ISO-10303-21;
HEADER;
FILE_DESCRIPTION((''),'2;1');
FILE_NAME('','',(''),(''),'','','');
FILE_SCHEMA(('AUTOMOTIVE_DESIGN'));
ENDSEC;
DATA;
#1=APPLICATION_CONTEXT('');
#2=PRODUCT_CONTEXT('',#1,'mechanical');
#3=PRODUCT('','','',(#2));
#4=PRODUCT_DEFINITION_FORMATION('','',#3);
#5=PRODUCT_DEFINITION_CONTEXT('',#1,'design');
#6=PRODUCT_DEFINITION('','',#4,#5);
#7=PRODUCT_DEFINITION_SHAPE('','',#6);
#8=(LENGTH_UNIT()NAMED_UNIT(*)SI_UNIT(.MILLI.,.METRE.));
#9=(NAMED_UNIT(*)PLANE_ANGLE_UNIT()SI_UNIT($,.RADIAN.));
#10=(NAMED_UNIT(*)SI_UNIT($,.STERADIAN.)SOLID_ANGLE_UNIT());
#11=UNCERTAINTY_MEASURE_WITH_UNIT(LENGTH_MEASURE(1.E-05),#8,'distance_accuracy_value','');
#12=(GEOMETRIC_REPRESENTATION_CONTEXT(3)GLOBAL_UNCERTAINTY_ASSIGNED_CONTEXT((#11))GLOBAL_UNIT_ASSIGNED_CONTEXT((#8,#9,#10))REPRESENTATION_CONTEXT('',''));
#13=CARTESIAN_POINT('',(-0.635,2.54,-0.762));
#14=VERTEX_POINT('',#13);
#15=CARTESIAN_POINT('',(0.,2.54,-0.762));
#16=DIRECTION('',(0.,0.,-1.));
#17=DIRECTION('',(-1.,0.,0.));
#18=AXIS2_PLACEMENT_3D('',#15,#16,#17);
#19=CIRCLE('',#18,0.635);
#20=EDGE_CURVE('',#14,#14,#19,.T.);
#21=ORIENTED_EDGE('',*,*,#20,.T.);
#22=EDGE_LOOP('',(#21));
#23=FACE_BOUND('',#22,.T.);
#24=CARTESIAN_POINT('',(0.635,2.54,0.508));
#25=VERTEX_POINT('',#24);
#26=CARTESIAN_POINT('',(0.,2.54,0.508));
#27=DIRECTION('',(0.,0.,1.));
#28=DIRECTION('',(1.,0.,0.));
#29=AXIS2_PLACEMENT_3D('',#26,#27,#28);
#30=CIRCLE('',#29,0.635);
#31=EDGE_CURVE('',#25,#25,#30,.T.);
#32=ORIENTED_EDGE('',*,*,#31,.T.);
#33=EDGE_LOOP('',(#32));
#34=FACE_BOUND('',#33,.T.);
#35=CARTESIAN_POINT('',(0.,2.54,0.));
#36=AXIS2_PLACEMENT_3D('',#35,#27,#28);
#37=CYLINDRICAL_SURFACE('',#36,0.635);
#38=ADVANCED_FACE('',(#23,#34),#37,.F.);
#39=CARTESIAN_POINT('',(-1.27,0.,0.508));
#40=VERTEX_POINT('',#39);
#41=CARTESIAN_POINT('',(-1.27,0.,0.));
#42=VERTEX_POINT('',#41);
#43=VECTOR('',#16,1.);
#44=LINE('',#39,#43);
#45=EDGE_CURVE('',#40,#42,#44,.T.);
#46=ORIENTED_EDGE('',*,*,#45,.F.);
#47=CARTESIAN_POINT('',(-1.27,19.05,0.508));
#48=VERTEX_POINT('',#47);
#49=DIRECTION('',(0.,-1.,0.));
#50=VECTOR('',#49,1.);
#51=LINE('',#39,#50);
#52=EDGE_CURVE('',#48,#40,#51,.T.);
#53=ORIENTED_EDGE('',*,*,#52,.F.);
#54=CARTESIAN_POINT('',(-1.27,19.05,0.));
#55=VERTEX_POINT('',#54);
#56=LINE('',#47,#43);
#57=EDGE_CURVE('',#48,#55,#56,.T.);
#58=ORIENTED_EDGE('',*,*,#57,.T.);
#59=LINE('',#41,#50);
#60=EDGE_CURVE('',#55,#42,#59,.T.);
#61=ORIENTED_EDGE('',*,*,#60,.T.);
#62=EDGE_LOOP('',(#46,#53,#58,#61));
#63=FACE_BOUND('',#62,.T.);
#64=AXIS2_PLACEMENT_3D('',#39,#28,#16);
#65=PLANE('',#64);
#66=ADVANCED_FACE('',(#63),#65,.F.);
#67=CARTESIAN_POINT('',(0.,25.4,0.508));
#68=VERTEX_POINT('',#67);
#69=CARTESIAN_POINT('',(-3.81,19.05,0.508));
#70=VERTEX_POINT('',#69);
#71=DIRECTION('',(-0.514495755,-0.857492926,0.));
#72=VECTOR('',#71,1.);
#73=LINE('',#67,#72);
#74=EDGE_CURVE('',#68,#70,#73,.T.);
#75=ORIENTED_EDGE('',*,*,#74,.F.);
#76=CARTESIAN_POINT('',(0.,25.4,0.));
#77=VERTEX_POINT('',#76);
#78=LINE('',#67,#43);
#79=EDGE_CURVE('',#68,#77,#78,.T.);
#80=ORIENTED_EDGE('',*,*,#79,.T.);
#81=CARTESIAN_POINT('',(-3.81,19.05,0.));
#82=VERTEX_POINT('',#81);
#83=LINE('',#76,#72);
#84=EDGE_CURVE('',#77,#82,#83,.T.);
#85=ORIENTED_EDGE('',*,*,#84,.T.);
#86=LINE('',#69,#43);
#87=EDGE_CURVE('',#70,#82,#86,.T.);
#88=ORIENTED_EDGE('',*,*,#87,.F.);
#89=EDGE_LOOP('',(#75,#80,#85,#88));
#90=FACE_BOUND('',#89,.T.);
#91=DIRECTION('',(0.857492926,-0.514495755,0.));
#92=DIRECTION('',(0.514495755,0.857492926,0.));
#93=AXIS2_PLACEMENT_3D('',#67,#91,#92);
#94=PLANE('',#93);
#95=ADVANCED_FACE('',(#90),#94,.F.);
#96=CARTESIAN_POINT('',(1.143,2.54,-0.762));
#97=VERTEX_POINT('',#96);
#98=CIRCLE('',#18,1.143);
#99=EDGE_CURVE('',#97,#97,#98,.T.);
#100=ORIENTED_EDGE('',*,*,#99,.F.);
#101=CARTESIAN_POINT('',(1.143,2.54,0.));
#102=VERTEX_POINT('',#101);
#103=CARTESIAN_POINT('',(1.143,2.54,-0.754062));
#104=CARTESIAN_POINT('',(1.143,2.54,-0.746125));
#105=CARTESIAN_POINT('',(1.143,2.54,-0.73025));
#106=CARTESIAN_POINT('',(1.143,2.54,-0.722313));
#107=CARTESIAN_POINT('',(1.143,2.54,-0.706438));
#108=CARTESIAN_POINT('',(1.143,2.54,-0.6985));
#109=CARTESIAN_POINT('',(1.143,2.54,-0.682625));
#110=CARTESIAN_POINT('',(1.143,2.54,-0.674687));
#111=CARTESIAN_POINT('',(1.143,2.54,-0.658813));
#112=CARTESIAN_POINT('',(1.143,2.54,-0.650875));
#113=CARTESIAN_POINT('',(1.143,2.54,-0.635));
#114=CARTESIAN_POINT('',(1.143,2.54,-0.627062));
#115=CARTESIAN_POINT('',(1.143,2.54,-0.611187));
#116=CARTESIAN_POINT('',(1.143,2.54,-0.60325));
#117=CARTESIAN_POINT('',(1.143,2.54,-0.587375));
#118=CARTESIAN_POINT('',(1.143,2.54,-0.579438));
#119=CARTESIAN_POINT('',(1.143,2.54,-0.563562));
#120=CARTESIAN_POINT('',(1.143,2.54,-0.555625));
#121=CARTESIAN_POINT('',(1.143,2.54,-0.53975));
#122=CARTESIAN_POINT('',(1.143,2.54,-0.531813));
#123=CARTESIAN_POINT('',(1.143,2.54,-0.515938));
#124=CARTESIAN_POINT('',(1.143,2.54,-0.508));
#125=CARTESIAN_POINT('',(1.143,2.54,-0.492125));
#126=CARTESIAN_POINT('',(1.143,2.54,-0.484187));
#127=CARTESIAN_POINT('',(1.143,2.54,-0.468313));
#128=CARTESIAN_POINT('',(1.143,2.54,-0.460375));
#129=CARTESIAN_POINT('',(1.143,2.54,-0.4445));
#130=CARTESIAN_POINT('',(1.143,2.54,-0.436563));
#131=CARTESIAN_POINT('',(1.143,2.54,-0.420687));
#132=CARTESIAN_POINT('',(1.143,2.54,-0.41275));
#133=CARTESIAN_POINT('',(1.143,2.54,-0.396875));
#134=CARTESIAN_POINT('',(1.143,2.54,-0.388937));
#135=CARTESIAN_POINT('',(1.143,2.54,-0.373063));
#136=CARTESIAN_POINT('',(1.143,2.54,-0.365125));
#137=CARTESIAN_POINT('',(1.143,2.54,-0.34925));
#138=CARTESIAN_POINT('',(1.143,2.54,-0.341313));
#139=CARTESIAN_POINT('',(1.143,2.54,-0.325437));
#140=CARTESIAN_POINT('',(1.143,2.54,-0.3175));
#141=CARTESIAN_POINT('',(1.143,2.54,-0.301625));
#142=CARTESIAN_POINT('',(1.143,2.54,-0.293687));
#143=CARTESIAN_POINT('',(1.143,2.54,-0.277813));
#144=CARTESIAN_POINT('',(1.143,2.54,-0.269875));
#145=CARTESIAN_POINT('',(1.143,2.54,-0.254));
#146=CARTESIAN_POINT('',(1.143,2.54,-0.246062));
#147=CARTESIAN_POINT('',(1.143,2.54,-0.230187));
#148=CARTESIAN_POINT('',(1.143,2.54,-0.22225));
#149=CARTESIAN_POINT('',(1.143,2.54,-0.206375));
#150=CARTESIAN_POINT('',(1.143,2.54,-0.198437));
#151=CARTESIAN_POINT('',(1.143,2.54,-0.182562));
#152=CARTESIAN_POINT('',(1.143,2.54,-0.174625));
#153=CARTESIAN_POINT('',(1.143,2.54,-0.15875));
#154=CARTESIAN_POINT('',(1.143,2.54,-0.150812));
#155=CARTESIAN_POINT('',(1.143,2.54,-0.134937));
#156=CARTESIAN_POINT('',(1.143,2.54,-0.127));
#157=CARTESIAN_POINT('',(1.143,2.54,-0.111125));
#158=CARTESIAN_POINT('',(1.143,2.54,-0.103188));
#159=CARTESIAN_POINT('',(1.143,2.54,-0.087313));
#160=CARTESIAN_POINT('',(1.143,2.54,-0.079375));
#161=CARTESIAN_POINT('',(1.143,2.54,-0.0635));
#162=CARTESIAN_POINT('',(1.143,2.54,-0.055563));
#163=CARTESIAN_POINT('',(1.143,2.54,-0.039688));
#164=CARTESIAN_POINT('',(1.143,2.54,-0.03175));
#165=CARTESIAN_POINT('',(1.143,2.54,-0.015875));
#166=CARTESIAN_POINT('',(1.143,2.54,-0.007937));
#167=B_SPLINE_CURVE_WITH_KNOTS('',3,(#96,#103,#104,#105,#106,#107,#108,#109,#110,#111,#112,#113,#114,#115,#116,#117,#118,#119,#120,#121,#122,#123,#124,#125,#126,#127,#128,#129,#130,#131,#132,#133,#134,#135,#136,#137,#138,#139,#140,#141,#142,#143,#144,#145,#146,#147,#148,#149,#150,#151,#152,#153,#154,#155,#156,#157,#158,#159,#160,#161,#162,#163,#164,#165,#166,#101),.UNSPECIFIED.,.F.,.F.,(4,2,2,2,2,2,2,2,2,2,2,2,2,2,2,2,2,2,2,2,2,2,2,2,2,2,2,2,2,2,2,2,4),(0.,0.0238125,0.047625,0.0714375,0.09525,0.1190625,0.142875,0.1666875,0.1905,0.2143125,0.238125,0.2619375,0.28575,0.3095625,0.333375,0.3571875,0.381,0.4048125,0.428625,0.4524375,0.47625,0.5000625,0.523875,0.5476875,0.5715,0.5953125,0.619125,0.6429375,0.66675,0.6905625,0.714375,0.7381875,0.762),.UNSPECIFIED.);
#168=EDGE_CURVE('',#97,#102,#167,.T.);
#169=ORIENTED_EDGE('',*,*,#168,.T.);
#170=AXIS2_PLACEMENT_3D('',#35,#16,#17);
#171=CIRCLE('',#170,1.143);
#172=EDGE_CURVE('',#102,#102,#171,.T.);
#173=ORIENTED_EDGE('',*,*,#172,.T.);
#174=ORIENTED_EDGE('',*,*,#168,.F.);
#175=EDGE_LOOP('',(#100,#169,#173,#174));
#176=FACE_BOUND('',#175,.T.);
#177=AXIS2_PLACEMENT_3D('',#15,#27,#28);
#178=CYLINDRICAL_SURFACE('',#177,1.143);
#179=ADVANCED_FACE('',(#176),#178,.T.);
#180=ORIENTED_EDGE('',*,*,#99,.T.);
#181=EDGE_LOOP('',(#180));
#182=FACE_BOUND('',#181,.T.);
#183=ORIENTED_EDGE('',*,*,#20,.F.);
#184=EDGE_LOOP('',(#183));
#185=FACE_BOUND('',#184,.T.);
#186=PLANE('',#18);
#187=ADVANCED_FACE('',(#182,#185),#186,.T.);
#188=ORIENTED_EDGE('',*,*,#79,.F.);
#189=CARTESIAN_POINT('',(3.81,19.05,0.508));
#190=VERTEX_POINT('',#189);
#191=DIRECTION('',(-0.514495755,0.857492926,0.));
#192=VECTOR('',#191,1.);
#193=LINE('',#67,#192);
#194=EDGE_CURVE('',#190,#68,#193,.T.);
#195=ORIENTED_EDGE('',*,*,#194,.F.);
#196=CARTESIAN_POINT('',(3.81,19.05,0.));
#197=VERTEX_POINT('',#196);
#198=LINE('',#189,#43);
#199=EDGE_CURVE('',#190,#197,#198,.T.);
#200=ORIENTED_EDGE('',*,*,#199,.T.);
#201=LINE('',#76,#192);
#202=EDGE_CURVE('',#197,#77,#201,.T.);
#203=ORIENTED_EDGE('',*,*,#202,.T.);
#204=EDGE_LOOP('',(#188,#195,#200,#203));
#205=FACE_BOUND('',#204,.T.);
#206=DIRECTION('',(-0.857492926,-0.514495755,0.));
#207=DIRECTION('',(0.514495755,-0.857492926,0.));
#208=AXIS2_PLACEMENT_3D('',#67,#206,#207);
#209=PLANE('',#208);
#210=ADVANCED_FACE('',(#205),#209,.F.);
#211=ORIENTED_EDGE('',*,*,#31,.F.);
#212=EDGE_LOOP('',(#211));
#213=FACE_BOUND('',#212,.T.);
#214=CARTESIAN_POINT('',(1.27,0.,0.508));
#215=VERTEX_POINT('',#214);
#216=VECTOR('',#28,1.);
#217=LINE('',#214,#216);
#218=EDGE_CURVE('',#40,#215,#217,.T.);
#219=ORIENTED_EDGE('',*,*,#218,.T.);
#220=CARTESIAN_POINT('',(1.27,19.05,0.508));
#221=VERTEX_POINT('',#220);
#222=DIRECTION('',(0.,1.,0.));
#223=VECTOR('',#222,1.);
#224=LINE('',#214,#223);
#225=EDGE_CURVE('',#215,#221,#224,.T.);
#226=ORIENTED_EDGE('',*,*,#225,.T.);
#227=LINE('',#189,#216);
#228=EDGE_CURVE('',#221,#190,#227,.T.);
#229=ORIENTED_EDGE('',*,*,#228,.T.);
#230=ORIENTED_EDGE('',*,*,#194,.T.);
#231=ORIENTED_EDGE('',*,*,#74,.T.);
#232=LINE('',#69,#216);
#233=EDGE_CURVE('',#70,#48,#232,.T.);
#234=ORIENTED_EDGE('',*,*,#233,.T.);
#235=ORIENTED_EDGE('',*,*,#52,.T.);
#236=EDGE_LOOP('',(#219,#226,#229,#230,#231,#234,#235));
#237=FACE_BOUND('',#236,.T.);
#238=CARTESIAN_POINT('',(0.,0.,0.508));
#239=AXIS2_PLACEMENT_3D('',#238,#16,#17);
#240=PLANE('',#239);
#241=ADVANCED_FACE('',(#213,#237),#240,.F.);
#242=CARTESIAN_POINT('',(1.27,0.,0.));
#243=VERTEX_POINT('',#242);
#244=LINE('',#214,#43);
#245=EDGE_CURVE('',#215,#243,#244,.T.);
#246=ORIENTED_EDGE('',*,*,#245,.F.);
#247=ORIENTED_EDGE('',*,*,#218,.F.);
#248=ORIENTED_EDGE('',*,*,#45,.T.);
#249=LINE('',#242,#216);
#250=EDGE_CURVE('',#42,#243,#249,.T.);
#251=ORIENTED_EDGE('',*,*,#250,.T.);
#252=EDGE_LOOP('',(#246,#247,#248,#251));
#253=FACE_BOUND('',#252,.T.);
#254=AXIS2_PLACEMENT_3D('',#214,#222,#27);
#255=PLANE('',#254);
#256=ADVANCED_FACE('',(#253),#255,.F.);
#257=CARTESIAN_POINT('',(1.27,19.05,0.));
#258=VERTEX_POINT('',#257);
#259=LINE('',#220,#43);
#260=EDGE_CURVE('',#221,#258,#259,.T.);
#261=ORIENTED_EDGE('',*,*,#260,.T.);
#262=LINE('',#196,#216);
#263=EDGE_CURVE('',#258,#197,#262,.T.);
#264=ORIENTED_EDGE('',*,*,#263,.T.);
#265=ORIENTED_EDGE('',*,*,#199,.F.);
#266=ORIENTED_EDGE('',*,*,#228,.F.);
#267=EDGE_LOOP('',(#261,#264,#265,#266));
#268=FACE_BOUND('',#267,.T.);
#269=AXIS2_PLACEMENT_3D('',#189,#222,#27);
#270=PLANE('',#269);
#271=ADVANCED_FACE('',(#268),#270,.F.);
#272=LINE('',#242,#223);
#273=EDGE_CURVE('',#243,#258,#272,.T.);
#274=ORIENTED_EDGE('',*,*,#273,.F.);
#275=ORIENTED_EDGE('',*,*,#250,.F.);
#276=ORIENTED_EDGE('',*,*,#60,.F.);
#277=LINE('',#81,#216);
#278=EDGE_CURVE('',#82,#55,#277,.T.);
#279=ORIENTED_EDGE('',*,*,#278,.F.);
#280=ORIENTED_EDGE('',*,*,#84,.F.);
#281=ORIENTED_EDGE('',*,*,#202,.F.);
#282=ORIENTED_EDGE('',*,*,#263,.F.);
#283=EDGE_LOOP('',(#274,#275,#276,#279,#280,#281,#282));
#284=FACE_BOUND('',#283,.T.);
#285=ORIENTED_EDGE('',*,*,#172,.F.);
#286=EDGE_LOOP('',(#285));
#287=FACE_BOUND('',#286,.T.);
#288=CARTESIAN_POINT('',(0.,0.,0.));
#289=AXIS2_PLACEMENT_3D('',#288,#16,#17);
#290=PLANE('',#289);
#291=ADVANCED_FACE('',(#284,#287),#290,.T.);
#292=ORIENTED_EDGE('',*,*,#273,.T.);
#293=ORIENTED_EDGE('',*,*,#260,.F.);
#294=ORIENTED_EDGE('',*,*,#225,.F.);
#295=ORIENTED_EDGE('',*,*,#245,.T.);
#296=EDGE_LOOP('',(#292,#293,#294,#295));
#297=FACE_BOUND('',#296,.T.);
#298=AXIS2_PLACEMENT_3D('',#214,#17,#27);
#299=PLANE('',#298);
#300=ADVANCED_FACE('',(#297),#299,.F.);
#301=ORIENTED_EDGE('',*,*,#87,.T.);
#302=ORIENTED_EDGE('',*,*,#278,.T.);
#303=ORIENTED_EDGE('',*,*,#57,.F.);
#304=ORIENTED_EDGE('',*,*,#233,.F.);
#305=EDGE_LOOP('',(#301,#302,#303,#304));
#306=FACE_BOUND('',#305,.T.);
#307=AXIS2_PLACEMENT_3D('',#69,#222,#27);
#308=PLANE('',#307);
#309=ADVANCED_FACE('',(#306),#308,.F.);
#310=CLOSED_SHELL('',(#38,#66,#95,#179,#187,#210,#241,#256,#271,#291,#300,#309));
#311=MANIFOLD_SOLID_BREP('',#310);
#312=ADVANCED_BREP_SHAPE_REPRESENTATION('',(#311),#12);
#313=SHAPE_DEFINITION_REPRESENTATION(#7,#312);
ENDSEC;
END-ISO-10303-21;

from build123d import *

# Parameters (mm, degrees)
BOSS_EXTRUDE1_DEPTH = 0.508
SKETCH3_R           = 0.635
CUT_EXTRUDE1_DEPTH  = 26.689183794
SKETCH5_R           = 1.143
SKETCH5_R_2         = 0.635
BOSS_EXTRUDE2_DEPTH = 0.762


with BuildPart() as part:
    # Sketch1 → Boss-Extrude1 (new body)
    with BuildSketch(Plane.XY):
        Polygon((1.27, 0), (1.27, 19.05), (3.81, 19.05), (0, 25.4), (-3.81, 19.05), (-1.27, 19.05), (-1.27, 0), align=None)
    extrude(amount=BOSS_EXTRUDE1_DEPTH)

    # Sketch3 → Cut-Extrude1 (cut, through all)
    with BuildSketch(Plane.XY.offset(0.508)):
        with Locations((0, 2.54)):
            Circle(SKETCH3_R)
    extrude(amount=-CUT_EXTRUDE1_DEPTH, mode=Mode.SUBTRACT)

    # Sketch5 → Boss-Extrude2 (add)
    with BuildSketch(Plane(origin=(0, 0, 0), x_dir=(-1, 0, 0), z_dir=(0, 0, -1))):
        with Locations(Location((0, 2.54, 0), (0, 0, 180))):
            Circle(SKETCH5_R)
        with Locations(Location((0, 2.54, 0), (0, 0, 180))):
            Circle(SKETCH5_R_2, mode=Mode.SUBTRACT)
    extrude(amount=BOSS_EXTRUDE2_DEPTH)


solid = part.part
